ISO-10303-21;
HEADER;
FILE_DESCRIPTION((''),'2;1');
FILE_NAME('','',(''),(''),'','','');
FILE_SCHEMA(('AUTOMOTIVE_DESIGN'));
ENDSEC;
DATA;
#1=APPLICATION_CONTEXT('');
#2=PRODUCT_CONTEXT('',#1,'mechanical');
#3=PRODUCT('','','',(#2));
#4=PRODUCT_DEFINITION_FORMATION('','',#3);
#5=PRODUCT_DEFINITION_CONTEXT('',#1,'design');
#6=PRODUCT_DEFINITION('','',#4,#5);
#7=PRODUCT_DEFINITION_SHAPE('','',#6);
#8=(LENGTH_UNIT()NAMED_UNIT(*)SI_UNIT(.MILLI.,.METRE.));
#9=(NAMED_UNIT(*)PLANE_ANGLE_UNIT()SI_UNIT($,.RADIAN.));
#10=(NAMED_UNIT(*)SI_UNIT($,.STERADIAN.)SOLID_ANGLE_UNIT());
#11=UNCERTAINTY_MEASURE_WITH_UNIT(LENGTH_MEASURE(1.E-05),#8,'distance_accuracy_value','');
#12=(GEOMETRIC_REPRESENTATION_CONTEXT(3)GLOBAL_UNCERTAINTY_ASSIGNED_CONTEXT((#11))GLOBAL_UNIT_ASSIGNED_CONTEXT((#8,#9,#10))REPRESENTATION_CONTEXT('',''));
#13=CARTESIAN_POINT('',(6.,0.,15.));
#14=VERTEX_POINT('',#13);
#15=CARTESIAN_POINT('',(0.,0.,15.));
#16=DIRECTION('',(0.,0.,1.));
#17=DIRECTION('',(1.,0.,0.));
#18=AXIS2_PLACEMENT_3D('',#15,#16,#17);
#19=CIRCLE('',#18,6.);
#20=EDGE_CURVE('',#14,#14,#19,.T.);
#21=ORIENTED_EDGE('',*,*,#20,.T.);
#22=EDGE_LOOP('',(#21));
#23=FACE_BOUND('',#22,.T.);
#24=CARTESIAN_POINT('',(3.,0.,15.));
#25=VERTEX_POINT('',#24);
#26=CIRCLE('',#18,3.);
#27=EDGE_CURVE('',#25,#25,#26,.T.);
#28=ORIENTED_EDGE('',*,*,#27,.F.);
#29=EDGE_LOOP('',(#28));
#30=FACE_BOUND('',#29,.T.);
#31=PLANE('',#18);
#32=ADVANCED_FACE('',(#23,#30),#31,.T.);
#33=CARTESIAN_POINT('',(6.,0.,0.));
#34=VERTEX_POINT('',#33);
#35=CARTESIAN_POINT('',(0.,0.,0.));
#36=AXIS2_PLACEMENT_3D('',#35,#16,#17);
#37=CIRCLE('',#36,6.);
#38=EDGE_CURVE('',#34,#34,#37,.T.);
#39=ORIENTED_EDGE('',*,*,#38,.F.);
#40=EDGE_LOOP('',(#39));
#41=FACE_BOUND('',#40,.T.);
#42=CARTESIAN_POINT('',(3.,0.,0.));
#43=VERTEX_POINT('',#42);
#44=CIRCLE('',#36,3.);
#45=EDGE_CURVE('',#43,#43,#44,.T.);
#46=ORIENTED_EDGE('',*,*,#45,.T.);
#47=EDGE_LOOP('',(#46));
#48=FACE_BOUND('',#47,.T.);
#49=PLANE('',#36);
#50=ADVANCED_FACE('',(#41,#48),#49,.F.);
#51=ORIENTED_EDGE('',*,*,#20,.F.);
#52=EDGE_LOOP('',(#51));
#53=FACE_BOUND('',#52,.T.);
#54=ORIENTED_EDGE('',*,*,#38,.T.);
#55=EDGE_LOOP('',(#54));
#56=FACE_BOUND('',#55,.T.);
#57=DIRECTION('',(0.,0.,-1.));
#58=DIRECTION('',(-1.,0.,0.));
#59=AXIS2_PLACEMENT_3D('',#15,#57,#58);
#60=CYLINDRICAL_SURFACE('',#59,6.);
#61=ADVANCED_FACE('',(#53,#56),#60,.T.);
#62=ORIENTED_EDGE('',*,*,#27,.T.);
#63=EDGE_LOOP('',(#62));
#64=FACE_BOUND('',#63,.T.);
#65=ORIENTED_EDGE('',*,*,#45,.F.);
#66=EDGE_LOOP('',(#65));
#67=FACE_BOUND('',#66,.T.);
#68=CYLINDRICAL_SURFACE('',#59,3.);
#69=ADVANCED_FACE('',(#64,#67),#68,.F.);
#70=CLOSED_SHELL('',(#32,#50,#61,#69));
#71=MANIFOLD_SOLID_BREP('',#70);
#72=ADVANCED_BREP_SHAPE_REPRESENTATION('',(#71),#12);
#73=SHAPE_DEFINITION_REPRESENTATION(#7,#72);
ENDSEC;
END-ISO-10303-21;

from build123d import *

# Parameters (mm, degrees)
SKETCH2_R           = 6
SKETCH2_R_2         = 3
BOSS_EXTRUDE1_DEPTH = 15


with BuildPart() as part:
    # Sketch2 → Boss-Extrude1 (new body)
    with BuildSketch(Plane.XY):
        Circle(SKETCH2_R)
        Circle(SKETCH2_R_2, mode=Mode.SUBTRACT)
    extrude(amount=BOSS_EXTRUDE1_DEPTH)


solid = part.part
